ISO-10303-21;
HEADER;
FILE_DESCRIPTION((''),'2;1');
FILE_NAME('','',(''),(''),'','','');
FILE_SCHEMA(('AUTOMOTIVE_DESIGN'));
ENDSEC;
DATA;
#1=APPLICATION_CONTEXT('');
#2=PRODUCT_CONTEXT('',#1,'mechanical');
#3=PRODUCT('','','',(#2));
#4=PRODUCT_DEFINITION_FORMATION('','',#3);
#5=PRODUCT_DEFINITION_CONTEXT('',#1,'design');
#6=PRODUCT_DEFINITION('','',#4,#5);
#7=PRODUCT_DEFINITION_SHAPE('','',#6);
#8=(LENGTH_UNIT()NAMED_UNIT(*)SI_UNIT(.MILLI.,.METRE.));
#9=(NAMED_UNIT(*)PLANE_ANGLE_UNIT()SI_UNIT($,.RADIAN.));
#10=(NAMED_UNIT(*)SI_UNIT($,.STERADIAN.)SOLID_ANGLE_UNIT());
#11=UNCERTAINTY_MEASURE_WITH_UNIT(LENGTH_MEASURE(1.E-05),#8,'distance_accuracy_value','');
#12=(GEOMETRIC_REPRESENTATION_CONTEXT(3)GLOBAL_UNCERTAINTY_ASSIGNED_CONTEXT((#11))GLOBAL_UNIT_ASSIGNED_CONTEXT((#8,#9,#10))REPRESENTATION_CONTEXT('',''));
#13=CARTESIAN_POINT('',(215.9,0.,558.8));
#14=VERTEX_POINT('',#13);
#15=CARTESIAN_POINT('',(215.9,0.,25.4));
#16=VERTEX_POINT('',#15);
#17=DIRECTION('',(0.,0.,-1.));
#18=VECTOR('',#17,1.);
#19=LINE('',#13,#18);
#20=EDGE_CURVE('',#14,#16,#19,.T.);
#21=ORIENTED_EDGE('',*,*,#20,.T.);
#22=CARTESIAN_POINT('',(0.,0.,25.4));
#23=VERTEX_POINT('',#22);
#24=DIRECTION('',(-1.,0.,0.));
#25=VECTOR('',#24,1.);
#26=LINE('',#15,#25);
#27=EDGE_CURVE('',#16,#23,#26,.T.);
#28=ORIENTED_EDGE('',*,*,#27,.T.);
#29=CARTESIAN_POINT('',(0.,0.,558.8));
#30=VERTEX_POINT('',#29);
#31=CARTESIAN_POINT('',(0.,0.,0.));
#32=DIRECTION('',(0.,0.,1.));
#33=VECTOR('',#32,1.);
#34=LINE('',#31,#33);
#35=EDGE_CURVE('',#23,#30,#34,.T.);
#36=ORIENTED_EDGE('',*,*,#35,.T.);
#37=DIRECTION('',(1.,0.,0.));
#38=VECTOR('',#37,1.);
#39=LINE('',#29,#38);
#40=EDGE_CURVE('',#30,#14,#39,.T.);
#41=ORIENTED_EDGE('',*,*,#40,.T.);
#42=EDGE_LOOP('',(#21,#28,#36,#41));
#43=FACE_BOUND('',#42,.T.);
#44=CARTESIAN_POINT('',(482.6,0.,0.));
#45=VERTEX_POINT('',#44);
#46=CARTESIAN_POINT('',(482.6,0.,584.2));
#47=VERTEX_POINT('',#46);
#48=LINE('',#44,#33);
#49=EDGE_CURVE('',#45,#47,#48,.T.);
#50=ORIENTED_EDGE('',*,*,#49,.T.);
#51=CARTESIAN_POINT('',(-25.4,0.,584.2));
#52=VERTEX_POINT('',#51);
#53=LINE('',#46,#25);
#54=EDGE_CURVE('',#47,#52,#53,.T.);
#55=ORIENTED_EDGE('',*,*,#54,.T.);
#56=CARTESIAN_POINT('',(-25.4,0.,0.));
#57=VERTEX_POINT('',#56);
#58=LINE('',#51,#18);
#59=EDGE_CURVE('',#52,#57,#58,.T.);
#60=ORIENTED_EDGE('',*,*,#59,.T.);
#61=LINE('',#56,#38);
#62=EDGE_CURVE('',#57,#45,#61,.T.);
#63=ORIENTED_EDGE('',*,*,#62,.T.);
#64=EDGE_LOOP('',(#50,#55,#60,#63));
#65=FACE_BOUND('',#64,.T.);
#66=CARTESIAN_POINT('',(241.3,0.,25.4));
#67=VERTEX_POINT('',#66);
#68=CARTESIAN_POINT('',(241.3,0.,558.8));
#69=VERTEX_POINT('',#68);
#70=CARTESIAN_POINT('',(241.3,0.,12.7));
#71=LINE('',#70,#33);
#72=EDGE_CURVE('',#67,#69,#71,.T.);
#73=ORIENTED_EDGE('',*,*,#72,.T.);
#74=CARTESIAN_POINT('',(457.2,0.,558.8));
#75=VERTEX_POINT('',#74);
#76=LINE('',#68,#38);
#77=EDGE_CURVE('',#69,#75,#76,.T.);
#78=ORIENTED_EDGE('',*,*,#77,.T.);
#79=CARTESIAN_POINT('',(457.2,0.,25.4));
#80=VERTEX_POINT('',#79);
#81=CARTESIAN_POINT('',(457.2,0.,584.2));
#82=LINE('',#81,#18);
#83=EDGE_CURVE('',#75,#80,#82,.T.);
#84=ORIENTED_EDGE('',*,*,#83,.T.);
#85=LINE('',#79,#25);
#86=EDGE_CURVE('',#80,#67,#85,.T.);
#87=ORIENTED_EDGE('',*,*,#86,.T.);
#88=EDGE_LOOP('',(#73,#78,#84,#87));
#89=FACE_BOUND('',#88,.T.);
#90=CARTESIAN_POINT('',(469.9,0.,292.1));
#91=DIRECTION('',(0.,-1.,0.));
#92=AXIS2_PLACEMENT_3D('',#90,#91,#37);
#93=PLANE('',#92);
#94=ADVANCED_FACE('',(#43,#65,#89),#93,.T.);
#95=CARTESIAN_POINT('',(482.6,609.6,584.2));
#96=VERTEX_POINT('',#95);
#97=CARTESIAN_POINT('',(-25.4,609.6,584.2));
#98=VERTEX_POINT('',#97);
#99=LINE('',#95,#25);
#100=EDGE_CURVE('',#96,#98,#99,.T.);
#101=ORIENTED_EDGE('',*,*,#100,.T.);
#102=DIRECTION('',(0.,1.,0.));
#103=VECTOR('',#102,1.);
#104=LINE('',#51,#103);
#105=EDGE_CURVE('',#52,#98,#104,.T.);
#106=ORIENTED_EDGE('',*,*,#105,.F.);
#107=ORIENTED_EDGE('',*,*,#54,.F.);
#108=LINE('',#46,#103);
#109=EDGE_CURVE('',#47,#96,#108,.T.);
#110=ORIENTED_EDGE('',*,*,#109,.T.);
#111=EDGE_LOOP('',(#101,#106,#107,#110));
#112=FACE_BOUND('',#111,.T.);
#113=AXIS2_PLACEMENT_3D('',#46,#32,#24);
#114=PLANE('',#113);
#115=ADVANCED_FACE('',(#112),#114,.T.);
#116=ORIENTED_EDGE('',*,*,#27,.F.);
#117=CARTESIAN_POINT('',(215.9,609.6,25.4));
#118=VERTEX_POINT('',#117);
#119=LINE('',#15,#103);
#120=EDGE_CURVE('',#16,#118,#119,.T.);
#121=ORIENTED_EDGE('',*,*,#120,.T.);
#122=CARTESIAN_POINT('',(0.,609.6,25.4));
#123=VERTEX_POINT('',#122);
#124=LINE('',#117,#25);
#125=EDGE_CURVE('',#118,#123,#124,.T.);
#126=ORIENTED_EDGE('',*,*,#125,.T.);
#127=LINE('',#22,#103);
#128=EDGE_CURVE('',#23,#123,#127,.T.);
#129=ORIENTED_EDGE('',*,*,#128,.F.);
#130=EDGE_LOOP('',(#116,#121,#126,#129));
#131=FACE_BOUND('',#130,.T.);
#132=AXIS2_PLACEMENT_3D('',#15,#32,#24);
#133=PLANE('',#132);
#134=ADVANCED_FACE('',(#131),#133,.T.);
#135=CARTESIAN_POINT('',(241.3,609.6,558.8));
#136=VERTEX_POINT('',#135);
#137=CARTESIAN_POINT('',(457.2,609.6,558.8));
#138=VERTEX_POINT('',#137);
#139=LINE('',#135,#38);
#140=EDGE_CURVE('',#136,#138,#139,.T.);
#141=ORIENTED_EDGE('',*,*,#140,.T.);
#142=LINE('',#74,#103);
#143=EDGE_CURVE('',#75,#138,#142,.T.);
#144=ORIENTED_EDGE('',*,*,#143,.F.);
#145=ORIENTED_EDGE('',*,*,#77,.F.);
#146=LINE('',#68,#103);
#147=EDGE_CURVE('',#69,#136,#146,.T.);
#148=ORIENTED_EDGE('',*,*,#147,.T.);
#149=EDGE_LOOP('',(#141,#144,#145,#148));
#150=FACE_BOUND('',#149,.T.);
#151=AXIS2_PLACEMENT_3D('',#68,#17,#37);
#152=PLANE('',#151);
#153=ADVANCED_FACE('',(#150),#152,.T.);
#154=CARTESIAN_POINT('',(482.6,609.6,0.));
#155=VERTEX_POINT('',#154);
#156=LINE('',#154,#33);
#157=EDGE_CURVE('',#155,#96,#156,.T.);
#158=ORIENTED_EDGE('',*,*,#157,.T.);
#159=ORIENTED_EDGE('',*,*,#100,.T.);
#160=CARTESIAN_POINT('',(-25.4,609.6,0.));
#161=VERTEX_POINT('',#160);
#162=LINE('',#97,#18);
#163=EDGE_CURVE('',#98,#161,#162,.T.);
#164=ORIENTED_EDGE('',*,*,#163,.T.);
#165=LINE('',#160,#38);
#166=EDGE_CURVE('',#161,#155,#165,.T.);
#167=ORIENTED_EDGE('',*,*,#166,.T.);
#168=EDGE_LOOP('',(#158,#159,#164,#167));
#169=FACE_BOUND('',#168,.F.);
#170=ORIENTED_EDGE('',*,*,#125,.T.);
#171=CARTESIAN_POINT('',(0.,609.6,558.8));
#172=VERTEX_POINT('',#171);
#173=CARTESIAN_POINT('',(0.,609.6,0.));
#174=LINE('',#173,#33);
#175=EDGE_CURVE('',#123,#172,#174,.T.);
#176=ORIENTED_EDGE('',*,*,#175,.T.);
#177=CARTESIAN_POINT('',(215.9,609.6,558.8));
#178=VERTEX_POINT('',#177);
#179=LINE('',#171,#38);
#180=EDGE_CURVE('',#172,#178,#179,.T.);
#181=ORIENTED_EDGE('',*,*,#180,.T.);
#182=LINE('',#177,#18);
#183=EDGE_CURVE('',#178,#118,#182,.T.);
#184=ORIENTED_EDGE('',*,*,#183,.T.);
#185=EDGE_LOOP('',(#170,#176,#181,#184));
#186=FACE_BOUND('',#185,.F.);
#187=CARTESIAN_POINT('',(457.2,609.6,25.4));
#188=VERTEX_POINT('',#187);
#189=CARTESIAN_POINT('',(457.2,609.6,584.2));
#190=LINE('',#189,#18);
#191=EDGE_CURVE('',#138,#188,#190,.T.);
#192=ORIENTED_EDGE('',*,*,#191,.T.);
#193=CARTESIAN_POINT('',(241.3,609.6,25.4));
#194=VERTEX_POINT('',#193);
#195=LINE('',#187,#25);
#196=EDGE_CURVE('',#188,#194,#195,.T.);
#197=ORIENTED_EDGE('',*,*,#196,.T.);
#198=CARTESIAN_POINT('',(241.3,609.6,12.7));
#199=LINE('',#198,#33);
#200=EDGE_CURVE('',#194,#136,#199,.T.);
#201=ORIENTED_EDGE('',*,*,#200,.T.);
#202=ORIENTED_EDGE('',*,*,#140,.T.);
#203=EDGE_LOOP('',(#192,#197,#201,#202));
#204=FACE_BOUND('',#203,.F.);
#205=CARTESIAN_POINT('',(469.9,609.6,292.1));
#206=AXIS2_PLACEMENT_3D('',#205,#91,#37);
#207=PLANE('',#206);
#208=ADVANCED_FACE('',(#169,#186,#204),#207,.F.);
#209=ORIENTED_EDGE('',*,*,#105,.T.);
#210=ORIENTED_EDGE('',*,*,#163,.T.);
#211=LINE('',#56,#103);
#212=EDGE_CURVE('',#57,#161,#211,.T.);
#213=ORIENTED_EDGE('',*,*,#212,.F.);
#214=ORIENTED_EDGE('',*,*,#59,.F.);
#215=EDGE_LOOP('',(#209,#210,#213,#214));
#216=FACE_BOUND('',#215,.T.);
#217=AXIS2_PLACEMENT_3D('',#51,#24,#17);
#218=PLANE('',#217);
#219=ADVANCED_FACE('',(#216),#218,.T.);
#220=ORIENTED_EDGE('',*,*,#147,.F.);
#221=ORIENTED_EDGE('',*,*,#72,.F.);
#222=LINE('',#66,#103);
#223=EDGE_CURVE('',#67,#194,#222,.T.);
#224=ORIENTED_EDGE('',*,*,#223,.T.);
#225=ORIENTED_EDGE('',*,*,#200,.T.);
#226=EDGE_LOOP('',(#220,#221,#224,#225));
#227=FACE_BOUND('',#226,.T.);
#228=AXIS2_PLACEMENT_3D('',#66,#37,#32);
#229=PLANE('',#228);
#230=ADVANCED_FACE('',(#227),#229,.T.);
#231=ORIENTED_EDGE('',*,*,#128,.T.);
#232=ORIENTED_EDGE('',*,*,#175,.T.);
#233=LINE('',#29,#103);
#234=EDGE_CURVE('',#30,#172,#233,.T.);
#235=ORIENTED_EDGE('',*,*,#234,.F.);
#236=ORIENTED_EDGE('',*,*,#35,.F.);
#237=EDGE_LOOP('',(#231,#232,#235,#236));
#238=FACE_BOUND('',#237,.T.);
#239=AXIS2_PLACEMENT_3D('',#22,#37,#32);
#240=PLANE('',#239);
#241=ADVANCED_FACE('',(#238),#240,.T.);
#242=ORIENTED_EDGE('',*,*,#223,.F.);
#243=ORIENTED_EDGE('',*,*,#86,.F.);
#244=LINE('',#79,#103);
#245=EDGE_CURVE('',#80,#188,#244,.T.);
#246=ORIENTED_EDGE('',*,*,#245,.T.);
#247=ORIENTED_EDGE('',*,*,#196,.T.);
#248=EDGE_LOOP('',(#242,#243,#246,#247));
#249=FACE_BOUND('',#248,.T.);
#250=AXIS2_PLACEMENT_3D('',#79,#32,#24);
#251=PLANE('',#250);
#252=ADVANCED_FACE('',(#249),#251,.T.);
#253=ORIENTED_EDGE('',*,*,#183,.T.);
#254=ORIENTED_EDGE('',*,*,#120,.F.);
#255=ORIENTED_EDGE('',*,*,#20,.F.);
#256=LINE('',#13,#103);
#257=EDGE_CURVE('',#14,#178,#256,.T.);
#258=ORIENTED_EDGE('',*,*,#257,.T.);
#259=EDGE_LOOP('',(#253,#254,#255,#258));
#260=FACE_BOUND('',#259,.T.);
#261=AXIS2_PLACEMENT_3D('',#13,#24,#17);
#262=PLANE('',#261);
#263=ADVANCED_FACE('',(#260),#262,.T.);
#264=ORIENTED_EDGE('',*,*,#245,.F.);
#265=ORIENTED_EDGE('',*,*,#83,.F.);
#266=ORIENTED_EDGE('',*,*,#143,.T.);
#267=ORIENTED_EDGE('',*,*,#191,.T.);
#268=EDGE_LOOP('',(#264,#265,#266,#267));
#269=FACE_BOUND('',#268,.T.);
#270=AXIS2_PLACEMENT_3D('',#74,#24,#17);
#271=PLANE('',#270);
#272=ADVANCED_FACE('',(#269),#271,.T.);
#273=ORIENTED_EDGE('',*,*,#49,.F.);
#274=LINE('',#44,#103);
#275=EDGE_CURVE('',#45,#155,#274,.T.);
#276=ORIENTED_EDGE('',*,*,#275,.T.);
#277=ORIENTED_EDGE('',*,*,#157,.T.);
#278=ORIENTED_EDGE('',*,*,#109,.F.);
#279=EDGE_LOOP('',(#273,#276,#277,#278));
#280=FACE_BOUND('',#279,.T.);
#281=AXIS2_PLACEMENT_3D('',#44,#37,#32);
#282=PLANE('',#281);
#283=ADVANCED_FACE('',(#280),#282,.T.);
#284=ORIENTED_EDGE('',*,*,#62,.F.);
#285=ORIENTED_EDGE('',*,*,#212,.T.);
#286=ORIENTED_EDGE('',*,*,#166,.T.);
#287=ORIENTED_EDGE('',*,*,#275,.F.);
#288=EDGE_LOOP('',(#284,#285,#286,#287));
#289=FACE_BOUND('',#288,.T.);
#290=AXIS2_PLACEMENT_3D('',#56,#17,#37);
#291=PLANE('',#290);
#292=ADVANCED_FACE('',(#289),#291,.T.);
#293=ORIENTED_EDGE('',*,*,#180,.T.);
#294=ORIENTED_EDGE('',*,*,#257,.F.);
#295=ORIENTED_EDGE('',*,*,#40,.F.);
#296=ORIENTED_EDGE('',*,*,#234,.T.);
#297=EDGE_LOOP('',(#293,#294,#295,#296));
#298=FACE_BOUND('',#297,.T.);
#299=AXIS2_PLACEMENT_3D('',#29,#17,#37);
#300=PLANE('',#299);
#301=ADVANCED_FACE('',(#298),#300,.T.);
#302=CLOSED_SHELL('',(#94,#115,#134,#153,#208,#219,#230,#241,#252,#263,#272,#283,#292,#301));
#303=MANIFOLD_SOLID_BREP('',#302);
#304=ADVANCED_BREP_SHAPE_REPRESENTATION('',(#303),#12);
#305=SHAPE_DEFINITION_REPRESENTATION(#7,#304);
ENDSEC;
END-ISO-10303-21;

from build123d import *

# Parameters (mm, degrees)
F1_DEPTH = 609.6


with BuildPart() as f1:
    # F0 (on Front) → F1 (new body)
    with BuildSketch(Plane.XZ):
        Polygon((457.2, 25.4), (457.2, 0), (482.6, 0), (482.6, 584.2), (457.2, 584.2), (457.2, 558.8), align=None)
        Polygon((0, 584.2), (0, 558.8), (215.9, 558.8), (215.9, 571.5), (241.3, 571.5), (241.3, 558.8), (457.2, 558.8), (457.2, 584.2), (228.6, 584.2), align=None)
        Polygon((-25.4, 0), (0, 0), (0, 25.4), (0, 558.8), (0, 584.2), (-25.4, 584.2), align=None)
        Polygon((215.9, 558.8), (215.9, 25.4), (215.9, 12.7), (241.3, 12.7), (241.3, 25.4), (241.3, 558.8), (241.3, 571.5), (215.9, 571.5), align=None)
        Polygon((0, 25.4), (0, 0), (228.6, 0), (457.2, 0), (457.2, 25.4), (241.3, 25.4), (241.3, 12.7), (215.9, 12.7), (215.9, 25.4), align=None)
    extrude(amount=-F1_DEPTH)


solid = f1.part
